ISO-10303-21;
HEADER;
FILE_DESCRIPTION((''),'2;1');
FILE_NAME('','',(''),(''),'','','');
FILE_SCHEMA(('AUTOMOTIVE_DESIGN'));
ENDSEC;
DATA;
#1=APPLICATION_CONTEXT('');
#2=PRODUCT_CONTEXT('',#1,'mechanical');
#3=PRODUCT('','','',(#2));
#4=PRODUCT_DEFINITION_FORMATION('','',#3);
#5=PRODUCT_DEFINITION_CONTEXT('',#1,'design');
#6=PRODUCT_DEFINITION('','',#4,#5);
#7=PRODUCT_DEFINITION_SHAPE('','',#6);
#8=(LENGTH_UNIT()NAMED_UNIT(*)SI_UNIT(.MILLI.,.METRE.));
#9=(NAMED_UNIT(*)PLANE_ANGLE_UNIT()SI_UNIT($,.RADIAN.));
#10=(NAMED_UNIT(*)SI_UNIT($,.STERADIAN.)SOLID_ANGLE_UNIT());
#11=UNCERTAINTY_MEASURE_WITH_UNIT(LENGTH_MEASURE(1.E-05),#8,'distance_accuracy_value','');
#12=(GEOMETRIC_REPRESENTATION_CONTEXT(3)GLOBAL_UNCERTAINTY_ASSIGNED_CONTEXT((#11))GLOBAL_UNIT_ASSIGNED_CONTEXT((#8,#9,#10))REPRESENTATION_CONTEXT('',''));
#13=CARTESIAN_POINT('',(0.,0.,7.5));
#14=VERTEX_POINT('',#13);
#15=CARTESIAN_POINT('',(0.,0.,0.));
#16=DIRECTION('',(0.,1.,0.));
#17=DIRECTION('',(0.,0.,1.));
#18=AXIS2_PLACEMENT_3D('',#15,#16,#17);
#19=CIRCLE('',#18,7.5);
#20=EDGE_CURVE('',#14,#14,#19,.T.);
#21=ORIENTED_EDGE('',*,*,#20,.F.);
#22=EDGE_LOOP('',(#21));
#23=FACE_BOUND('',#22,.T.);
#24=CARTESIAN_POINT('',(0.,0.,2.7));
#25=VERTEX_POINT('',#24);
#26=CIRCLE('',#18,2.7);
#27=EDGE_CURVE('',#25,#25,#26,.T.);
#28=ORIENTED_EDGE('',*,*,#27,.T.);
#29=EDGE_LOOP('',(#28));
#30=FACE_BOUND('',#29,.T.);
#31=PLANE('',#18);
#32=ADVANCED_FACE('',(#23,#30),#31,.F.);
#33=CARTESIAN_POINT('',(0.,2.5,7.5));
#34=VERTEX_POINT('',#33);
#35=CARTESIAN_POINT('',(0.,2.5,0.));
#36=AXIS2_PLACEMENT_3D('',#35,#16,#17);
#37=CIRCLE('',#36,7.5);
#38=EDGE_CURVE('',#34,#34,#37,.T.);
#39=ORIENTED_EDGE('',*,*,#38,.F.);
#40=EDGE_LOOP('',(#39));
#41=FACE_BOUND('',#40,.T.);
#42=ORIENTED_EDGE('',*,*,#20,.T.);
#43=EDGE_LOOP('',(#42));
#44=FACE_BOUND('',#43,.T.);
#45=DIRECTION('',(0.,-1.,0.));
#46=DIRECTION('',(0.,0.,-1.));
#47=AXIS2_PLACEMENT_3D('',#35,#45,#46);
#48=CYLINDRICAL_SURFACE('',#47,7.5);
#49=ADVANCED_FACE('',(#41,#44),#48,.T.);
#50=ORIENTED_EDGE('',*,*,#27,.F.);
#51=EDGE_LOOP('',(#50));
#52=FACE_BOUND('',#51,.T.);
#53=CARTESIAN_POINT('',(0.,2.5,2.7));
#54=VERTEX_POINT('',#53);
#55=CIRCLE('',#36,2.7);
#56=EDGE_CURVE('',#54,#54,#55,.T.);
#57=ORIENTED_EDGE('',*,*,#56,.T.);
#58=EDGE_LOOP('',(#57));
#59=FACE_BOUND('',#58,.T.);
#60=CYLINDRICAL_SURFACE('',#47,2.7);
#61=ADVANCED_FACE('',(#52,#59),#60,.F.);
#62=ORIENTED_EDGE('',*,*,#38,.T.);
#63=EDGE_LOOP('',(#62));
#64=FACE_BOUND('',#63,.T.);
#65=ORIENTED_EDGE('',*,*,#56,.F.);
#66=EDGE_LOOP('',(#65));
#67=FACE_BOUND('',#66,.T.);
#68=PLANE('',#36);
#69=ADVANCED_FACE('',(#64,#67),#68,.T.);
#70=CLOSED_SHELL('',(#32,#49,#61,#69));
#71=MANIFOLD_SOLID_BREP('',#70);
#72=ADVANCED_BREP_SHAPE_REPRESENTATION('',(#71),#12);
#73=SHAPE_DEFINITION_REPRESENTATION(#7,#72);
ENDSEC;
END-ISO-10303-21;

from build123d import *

# Parameters (mm, degrees)
SKETCH_1_R      = 7.5
SKETCH_1_R_2    = 2.7
EXTRUDE_1_DEPTH = 2.5


with BuildPart() as part:
    # 草圖1 → 填料-伸長1 (new body)
    with BuildSketch(Plane(origin=(0, 0, 0), x_dir=(1, 0, 0), z_dir=(0, 1, 0))):
        Circle(SKETCH_1_R)
        Circle(SKETCH_1_R_2, mode=Mode.SUBTRACT)
    extrude(amount=EXTRUDE_1_DEPTH)


solid = part.part
